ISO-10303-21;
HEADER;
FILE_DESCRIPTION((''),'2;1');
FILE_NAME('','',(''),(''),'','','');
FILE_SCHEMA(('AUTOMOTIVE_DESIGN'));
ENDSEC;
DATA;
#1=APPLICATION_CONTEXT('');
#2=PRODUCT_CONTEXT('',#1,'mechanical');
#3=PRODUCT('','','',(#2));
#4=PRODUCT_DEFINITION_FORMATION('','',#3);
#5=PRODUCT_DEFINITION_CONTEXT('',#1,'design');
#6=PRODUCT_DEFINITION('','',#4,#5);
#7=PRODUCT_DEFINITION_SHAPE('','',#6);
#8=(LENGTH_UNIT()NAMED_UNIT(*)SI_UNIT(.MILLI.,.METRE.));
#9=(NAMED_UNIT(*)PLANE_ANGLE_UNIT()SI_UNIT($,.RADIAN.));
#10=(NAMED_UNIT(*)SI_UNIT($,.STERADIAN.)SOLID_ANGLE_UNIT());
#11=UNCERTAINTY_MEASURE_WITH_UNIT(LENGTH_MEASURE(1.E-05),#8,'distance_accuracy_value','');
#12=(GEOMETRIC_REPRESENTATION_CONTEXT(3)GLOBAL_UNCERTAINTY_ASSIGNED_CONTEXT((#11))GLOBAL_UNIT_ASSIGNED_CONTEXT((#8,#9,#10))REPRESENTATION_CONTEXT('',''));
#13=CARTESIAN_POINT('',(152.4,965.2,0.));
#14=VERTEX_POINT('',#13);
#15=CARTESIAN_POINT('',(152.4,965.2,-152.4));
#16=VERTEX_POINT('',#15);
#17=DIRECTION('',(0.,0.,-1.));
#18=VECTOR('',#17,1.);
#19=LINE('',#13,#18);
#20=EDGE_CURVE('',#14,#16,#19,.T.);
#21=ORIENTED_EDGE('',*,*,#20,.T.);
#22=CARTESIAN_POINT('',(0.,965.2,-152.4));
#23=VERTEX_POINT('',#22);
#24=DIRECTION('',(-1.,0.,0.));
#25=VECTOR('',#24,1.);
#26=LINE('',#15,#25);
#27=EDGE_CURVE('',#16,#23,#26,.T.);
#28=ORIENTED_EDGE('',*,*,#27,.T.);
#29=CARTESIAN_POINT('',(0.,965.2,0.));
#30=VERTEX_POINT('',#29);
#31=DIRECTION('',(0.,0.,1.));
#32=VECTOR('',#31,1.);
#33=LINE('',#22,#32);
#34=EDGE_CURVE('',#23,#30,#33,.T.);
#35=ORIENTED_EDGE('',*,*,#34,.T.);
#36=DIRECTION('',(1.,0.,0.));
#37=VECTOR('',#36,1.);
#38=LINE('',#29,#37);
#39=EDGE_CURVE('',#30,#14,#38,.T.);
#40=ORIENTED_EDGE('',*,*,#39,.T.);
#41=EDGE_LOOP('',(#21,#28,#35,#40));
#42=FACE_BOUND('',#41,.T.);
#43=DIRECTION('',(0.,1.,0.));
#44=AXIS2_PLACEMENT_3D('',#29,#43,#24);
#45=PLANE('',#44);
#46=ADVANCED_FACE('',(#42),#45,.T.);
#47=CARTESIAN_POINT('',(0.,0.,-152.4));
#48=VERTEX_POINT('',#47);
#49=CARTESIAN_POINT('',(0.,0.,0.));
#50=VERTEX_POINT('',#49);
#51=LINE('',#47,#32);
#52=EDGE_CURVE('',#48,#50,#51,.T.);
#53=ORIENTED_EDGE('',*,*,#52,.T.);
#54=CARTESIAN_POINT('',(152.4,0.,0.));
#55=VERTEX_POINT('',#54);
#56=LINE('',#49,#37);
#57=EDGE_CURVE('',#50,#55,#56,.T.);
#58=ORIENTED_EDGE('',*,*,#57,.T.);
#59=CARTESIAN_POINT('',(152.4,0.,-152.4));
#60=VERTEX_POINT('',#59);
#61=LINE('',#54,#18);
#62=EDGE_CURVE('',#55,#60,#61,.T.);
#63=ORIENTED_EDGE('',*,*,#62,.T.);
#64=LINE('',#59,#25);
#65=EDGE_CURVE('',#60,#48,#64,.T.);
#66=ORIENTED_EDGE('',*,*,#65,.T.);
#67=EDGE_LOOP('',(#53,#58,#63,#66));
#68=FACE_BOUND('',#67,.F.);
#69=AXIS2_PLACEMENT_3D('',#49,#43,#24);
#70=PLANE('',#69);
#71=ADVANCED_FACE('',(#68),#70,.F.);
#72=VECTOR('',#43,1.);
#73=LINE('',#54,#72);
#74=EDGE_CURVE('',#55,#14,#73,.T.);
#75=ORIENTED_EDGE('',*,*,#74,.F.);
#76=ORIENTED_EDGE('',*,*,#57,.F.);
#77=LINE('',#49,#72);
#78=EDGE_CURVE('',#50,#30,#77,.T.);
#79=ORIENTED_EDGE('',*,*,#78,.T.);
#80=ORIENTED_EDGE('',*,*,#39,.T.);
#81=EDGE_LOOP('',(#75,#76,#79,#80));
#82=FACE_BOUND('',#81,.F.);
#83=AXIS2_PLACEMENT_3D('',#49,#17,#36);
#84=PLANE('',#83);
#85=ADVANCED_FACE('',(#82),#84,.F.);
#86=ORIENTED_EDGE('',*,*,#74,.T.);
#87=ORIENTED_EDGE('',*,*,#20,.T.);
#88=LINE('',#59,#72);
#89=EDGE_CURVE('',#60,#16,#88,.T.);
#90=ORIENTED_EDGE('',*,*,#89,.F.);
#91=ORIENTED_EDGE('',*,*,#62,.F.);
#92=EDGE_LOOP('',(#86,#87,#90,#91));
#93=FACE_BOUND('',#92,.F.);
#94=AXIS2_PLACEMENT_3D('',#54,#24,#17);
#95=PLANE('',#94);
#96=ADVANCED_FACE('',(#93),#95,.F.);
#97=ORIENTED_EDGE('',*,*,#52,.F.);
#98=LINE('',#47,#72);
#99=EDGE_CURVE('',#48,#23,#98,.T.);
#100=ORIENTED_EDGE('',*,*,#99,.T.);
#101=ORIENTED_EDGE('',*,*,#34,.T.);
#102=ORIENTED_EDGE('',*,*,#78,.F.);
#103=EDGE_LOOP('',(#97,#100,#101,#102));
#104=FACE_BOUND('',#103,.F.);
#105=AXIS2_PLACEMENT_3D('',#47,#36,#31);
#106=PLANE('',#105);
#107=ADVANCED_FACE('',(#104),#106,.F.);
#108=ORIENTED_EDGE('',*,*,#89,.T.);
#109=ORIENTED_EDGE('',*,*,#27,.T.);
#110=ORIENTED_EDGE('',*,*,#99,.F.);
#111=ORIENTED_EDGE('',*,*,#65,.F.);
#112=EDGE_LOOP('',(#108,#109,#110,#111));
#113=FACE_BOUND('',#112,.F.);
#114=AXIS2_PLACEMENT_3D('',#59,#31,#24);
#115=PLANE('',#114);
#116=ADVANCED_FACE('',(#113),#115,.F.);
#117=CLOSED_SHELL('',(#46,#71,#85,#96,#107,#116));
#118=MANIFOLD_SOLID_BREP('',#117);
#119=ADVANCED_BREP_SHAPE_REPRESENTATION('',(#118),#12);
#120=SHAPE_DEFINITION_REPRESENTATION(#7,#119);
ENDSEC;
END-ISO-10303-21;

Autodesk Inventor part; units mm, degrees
ref_plane "YZ Plane" through (0, 0, 0) normal (1, 0, 0) x (0, 1, 0)
ref_plane "XZ Plane" through (0, 0, 0) normal (0, 1, 0) x (-1, 0, 0)
ref_plane "XY Plane" through (0, 0, 0) normal (0, 0, 1) x (1, 0, 0)
sketch "Sketch1" plane through (0, 0, 0) normal (0, 1, 0) x (-1, 0, 0)
  line L0 (0, 0) -> (-152.4, 0)
  line L1 (-152.4, 0) -> (-152.4, -152.4)
  line L2 (-152.4, -152.4) -> (0, -152.4)
  line L3 (0, -152.4) -> (0, 0)
  dimension "d0" = 152.4
extrude "Extrusion1" add sketch "Sketch1" along normal blind 965.2
properties part number "Right Support" material "Wood (Birch)"
